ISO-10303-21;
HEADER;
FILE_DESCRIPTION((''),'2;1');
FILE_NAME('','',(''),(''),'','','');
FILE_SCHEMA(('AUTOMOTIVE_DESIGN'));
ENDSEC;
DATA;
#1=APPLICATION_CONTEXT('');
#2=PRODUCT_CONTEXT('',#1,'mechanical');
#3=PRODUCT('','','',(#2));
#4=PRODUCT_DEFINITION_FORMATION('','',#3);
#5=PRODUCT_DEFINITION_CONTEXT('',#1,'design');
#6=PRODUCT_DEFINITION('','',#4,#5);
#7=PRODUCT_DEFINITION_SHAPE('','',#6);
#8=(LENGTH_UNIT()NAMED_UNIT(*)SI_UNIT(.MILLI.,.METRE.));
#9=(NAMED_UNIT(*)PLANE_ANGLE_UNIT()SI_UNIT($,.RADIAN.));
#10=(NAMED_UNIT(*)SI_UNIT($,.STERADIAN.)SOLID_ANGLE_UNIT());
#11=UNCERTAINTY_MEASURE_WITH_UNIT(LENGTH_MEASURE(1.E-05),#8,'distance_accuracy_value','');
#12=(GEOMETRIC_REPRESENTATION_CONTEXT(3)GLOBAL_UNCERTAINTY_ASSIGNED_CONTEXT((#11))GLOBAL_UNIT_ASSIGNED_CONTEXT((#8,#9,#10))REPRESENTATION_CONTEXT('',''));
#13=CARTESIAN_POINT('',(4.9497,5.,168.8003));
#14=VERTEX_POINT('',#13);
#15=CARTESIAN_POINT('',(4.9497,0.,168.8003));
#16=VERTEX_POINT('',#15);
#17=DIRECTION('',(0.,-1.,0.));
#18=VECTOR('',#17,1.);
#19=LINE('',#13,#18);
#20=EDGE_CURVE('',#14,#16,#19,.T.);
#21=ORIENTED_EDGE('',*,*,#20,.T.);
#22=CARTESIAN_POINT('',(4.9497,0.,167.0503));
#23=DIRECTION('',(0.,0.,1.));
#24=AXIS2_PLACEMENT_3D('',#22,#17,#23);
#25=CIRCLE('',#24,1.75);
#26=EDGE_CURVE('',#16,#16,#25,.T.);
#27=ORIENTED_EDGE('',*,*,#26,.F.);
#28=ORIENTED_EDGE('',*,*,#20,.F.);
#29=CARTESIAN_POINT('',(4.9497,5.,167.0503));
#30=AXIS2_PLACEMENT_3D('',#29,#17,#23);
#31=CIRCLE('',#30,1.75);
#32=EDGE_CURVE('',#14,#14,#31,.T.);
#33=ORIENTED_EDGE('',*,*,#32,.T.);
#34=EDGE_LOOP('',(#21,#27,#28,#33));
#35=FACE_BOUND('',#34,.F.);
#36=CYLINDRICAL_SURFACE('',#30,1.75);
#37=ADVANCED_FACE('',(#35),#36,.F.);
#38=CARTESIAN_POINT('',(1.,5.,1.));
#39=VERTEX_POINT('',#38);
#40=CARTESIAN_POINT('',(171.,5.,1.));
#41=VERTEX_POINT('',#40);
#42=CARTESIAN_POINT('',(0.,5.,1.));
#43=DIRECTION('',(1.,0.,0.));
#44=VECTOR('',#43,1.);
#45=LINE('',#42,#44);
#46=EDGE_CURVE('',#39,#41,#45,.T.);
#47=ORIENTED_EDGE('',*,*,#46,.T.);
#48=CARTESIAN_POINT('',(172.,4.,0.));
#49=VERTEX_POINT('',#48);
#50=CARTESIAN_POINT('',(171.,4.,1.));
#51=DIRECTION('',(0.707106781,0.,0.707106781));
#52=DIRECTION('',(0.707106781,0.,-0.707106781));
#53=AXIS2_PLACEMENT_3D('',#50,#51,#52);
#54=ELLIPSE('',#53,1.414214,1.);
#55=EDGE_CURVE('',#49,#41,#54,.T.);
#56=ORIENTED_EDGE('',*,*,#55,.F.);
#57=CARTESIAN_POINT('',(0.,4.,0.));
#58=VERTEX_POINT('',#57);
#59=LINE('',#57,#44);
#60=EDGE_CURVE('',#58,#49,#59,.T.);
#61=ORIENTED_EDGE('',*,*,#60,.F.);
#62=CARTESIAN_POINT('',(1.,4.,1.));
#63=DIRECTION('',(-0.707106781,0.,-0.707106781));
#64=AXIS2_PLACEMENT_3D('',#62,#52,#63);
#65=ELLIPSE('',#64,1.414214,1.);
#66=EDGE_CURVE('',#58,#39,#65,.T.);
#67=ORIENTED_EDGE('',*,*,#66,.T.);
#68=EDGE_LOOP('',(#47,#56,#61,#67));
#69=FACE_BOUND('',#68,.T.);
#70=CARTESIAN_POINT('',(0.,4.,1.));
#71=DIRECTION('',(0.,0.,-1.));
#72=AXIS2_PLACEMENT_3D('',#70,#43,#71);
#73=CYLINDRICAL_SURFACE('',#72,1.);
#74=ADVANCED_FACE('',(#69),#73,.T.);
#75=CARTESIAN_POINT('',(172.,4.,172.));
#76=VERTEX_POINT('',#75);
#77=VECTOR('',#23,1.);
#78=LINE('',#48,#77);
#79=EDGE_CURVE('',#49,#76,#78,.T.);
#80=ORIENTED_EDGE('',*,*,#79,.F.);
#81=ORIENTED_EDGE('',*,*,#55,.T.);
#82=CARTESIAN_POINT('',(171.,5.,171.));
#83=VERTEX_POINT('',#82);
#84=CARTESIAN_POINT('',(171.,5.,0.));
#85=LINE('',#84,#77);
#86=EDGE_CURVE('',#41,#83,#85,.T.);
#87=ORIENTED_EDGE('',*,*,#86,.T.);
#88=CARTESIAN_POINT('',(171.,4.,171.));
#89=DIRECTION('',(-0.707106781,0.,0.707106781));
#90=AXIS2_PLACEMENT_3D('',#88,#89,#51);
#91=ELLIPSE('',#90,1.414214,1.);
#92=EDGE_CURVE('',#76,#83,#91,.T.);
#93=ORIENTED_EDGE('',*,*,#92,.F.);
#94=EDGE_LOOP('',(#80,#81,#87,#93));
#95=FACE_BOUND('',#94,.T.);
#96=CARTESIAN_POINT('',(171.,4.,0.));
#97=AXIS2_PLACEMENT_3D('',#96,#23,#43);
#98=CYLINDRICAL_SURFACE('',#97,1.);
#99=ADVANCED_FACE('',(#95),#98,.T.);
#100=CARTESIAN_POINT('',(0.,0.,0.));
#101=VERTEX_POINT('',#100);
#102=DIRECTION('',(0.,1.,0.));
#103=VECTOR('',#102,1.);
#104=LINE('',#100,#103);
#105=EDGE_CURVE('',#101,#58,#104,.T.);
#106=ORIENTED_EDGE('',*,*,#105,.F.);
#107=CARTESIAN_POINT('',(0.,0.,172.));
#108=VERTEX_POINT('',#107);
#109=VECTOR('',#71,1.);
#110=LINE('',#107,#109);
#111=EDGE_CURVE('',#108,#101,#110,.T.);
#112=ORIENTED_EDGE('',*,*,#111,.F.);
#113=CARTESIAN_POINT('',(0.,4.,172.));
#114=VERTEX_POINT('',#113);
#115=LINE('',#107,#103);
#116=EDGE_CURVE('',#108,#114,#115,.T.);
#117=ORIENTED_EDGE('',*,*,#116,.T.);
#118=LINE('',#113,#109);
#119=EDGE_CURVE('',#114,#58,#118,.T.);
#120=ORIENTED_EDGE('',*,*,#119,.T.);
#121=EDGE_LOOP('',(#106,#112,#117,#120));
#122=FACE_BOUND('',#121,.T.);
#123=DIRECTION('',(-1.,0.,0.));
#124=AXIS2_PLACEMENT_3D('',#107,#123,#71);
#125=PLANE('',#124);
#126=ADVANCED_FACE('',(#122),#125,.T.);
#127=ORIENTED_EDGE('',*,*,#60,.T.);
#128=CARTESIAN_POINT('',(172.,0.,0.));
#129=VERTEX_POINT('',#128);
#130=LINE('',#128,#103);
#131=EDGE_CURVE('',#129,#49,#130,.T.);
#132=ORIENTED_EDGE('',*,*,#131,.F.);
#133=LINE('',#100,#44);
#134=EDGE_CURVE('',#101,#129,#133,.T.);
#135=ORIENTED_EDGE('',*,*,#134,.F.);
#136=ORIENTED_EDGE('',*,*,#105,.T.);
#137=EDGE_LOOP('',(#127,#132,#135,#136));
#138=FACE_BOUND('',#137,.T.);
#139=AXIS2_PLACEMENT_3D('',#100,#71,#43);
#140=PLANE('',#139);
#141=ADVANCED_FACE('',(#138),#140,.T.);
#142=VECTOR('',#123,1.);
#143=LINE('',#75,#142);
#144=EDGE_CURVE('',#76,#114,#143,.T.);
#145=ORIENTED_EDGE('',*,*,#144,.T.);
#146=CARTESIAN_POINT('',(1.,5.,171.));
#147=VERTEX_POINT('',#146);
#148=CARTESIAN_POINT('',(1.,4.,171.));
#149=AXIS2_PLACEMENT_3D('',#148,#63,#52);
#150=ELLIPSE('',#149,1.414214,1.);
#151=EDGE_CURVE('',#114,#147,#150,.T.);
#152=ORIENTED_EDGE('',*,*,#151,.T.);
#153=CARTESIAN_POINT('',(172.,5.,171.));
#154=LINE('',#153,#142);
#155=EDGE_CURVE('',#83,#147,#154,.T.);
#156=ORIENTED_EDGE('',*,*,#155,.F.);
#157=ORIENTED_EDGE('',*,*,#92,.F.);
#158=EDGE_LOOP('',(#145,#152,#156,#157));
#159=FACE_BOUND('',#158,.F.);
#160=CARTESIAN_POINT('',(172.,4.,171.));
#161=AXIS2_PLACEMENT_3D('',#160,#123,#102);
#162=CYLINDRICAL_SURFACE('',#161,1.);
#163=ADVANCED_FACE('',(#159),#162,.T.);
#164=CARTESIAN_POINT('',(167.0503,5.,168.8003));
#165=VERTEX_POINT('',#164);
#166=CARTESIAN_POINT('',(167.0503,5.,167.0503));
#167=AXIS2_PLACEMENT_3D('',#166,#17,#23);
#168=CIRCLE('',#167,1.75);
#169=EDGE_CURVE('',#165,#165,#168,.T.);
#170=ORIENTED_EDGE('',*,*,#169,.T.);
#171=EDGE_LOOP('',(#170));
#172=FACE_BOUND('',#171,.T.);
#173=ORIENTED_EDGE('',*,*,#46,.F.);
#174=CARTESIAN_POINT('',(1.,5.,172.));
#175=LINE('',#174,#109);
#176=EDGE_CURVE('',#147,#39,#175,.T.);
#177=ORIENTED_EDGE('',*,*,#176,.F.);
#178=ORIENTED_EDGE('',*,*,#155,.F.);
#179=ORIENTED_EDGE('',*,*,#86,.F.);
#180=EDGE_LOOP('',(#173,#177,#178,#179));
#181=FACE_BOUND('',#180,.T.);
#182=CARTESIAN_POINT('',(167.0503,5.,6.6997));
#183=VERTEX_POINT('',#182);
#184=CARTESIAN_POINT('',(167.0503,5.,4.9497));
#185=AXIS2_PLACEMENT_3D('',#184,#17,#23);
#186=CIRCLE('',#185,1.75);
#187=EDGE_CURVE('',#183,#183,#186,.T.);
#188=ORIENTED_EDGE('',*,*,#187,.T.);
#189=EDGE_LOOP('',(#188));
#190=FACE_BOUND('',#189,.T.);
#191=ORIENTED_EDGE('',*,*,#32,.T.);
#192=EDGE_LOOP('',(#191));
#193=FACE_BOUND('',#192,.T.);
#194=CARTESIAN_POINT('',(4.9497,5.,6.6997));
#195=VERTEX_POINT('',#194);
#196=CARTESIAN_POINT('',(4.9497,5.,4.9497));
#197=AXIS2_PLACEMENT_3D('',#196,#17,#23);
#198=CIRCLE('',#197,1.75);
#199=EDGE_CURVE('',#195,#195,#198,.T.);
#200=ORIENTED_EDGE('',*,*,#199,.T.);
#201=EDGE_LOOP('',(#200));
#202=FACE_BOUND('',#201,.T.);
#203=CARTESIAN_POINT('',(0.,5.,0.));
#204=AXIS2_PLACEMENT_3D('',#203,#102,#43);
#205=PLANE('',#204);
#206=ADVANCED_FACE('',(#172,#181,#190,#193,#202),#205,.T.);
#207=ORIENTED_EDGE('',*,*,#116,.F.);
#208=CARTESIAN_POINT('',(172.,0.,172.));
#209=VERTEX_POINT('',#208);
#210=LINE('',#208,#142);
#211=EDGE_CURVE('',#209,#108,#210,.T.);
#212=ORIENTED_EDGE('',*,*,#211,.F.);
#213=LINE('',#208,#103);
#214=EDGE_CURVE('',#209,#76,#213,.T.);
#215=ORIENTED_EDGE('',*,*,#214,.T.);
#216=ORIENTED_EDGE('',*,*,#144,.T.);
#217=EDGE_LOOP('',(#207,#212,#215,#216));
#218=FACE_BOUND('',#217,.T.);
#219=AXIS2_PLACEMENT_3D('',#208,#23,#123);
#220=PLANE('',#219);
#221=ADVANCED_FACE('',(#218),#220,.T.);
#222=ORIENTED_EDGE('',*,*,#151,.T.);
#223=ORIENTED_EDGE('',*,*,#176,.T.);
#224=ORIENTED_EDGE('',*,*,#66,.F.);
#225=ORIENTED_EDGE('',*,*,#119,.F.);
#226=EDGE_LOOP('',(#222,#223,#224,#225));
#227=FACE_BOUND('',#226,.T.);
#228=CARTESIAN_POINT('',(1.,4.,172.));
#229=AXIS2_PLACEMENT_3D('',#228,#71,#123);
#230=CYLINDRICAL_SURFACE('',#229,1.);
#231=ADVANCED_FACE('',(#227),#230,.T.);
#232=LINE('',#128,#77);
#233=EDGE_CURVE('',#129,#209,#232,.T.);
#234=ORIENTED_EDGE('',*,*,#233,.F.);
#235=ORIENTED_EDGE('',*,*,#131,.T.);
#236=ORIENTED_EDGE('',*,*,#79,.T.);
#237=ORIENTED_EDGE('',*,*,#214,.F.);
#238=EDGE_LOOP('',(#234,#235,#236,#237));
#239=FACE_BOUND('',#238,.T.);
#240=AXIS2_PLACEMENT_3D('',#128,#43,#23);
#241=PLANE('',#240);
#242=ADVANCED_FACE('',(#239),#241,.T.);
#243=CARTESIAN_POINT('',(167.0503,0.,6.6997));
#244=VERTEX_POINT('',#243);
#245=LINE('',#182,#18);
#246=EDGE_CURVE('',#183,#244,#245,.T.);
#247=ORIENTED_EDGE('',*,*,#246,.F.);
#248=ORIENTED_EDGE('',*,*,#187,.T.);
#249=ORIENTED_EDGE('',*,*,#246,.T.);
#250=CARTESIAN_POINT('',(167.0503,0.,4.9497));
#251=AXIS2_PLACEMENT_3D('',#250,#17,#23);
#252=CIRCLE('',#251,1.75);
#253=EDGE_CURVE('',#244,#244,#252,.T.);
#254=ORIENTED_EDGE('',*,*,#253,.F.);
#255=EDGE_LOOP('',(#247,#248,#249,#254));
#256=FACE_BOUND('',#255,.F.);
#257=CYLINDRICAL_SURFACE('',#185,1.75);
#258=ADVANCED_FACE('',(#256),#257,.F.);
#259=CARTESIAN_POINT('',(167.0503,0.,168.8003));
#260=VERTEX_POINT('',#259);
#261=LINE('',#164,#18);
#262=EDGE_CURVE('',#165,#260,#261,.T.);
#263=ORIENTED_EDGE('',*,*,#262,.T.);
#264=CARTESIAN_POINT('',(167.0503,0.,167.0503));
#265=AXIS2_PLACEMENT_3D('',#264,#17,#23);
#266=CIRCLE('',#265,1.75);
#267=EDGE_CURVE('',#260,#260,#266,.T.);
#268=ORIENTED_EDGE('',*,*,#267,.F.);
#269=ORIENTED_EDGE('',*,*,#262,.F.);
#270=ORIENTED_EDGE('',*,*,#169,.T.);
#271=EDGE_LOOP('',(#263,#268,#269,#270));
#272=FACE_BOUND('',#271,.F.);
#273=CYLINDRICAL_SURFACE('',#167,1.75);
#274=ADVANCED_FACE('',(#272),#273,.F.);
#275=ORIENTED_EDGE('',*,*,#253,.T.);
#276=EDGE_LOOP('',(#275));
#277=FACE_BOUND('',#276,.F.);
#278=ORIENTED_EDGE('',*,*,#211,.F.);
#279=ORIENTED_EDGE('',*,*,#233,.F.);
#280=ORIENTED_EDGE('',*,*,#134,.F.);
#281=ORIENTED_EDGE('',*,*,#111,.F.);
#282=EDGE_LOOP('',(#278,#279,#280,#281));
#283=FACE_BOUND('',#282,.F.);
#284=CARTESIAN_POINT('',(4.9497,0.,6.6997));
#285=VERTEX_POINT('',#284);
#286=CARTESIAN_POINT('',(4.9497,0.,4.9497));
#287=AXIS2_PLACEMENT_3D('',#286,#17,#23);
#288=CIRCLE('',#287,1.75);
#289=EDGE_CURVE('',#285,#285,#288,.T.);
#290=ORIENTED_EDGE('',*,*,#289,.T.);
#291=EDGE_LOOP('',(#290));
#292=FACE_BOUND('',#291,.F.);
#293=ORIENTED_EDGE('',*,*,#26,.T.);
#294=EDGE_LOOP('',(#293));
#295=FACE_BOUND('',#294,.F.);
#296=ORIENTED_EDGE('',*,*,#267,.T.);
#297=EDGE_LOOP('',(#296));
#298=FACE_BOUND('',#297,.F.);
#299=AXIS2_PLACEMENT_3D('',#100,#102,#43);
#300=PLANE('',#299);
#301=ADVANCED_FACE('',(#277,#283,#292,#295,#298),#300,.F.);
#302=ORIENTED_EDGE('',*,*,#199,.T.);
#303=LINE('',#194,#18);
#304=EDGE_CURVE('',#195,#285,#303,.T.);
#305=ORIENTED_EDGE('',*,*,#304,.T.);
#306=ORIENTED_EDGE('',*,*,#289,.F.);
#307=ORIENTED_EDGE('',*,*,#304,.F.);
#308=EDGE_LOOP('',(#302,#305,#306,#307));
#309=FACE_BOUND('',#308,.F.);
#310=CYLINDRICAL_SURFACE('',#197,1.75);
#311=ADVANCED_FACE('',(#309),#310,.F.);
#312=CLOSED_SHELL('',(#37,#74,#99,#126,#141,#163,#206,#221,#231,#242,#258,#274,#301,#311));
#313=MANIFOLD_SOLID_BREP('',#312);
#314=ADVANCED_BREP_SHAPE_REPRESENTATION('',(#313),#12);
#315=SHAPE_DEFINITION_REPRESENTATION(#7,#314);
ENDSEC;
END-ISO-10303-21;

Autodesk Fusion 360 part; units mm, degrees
sketch "Sketch1" plane through (0, 0, 0) normal (0, 1, 0) x (1, 0, 0)
  line L0 (0, 0) -> (172, 0)
  line L1 (172, 0) -> (172, -172)
  line L2 (172, -172) -> (0, -172)
  line L3 (0, -172) -> (0, 0)
  dimension "d1" = 172
  dimension "d2" = 172
extrude "Extrude1" add sketch "Sketch1" along normal blind 5
sketch "Sketch2" plane through (0, 5, 0) normal (0, 1, 0) x (-1, 0, 0)
  line L0 (0, 172) -> (-172, 172)
  line L1 (-172, 172) -> (-172, 0)
  line L2 (-172, 0) -> (0, 0)
  line L3 (0, 0) -> (0, 172)
  line L4 (0, 0) -> (-4.9497, 4.9497)
  line L5 (0, 0) -> (-7, 0) construction
  line L6 (-172, 172) -> (-167.0503, 167.0503)
  line L7 (-172, 172) -> (-165, 172) construction
  line L8 (-4.9497, 4.9497) -> (-167.0503, 4.9497)
  line L9 (-167.0503, 4.9497) -> (-167.0503, 167.0503)
  line L10 (-167.0503, 167.0503) -> (-4.9497, 167.0503)
  line L11 (-4.9497, 167.0503) -> (-4.9497, 4.9497)
  dimension "d5" = 45
  dimension "d6" = 7
  dimension "d7" = 45
  dimension "d8" = 7
hole "Hole1" at (4.9497, 5, 4.9497) at (167.0503, 5, 4.9497) at (167.0503, 5, 167.0503) at (4.9497, 5, 167.0503) direction (0, -1, 0) diameter 3.5 depth 9 tip angle 180
fillet "Fillet1" radius 1 4 edges at (0, 5, 86) (86, 5, 0) (172, 5, 86) (86, 5, 172)
